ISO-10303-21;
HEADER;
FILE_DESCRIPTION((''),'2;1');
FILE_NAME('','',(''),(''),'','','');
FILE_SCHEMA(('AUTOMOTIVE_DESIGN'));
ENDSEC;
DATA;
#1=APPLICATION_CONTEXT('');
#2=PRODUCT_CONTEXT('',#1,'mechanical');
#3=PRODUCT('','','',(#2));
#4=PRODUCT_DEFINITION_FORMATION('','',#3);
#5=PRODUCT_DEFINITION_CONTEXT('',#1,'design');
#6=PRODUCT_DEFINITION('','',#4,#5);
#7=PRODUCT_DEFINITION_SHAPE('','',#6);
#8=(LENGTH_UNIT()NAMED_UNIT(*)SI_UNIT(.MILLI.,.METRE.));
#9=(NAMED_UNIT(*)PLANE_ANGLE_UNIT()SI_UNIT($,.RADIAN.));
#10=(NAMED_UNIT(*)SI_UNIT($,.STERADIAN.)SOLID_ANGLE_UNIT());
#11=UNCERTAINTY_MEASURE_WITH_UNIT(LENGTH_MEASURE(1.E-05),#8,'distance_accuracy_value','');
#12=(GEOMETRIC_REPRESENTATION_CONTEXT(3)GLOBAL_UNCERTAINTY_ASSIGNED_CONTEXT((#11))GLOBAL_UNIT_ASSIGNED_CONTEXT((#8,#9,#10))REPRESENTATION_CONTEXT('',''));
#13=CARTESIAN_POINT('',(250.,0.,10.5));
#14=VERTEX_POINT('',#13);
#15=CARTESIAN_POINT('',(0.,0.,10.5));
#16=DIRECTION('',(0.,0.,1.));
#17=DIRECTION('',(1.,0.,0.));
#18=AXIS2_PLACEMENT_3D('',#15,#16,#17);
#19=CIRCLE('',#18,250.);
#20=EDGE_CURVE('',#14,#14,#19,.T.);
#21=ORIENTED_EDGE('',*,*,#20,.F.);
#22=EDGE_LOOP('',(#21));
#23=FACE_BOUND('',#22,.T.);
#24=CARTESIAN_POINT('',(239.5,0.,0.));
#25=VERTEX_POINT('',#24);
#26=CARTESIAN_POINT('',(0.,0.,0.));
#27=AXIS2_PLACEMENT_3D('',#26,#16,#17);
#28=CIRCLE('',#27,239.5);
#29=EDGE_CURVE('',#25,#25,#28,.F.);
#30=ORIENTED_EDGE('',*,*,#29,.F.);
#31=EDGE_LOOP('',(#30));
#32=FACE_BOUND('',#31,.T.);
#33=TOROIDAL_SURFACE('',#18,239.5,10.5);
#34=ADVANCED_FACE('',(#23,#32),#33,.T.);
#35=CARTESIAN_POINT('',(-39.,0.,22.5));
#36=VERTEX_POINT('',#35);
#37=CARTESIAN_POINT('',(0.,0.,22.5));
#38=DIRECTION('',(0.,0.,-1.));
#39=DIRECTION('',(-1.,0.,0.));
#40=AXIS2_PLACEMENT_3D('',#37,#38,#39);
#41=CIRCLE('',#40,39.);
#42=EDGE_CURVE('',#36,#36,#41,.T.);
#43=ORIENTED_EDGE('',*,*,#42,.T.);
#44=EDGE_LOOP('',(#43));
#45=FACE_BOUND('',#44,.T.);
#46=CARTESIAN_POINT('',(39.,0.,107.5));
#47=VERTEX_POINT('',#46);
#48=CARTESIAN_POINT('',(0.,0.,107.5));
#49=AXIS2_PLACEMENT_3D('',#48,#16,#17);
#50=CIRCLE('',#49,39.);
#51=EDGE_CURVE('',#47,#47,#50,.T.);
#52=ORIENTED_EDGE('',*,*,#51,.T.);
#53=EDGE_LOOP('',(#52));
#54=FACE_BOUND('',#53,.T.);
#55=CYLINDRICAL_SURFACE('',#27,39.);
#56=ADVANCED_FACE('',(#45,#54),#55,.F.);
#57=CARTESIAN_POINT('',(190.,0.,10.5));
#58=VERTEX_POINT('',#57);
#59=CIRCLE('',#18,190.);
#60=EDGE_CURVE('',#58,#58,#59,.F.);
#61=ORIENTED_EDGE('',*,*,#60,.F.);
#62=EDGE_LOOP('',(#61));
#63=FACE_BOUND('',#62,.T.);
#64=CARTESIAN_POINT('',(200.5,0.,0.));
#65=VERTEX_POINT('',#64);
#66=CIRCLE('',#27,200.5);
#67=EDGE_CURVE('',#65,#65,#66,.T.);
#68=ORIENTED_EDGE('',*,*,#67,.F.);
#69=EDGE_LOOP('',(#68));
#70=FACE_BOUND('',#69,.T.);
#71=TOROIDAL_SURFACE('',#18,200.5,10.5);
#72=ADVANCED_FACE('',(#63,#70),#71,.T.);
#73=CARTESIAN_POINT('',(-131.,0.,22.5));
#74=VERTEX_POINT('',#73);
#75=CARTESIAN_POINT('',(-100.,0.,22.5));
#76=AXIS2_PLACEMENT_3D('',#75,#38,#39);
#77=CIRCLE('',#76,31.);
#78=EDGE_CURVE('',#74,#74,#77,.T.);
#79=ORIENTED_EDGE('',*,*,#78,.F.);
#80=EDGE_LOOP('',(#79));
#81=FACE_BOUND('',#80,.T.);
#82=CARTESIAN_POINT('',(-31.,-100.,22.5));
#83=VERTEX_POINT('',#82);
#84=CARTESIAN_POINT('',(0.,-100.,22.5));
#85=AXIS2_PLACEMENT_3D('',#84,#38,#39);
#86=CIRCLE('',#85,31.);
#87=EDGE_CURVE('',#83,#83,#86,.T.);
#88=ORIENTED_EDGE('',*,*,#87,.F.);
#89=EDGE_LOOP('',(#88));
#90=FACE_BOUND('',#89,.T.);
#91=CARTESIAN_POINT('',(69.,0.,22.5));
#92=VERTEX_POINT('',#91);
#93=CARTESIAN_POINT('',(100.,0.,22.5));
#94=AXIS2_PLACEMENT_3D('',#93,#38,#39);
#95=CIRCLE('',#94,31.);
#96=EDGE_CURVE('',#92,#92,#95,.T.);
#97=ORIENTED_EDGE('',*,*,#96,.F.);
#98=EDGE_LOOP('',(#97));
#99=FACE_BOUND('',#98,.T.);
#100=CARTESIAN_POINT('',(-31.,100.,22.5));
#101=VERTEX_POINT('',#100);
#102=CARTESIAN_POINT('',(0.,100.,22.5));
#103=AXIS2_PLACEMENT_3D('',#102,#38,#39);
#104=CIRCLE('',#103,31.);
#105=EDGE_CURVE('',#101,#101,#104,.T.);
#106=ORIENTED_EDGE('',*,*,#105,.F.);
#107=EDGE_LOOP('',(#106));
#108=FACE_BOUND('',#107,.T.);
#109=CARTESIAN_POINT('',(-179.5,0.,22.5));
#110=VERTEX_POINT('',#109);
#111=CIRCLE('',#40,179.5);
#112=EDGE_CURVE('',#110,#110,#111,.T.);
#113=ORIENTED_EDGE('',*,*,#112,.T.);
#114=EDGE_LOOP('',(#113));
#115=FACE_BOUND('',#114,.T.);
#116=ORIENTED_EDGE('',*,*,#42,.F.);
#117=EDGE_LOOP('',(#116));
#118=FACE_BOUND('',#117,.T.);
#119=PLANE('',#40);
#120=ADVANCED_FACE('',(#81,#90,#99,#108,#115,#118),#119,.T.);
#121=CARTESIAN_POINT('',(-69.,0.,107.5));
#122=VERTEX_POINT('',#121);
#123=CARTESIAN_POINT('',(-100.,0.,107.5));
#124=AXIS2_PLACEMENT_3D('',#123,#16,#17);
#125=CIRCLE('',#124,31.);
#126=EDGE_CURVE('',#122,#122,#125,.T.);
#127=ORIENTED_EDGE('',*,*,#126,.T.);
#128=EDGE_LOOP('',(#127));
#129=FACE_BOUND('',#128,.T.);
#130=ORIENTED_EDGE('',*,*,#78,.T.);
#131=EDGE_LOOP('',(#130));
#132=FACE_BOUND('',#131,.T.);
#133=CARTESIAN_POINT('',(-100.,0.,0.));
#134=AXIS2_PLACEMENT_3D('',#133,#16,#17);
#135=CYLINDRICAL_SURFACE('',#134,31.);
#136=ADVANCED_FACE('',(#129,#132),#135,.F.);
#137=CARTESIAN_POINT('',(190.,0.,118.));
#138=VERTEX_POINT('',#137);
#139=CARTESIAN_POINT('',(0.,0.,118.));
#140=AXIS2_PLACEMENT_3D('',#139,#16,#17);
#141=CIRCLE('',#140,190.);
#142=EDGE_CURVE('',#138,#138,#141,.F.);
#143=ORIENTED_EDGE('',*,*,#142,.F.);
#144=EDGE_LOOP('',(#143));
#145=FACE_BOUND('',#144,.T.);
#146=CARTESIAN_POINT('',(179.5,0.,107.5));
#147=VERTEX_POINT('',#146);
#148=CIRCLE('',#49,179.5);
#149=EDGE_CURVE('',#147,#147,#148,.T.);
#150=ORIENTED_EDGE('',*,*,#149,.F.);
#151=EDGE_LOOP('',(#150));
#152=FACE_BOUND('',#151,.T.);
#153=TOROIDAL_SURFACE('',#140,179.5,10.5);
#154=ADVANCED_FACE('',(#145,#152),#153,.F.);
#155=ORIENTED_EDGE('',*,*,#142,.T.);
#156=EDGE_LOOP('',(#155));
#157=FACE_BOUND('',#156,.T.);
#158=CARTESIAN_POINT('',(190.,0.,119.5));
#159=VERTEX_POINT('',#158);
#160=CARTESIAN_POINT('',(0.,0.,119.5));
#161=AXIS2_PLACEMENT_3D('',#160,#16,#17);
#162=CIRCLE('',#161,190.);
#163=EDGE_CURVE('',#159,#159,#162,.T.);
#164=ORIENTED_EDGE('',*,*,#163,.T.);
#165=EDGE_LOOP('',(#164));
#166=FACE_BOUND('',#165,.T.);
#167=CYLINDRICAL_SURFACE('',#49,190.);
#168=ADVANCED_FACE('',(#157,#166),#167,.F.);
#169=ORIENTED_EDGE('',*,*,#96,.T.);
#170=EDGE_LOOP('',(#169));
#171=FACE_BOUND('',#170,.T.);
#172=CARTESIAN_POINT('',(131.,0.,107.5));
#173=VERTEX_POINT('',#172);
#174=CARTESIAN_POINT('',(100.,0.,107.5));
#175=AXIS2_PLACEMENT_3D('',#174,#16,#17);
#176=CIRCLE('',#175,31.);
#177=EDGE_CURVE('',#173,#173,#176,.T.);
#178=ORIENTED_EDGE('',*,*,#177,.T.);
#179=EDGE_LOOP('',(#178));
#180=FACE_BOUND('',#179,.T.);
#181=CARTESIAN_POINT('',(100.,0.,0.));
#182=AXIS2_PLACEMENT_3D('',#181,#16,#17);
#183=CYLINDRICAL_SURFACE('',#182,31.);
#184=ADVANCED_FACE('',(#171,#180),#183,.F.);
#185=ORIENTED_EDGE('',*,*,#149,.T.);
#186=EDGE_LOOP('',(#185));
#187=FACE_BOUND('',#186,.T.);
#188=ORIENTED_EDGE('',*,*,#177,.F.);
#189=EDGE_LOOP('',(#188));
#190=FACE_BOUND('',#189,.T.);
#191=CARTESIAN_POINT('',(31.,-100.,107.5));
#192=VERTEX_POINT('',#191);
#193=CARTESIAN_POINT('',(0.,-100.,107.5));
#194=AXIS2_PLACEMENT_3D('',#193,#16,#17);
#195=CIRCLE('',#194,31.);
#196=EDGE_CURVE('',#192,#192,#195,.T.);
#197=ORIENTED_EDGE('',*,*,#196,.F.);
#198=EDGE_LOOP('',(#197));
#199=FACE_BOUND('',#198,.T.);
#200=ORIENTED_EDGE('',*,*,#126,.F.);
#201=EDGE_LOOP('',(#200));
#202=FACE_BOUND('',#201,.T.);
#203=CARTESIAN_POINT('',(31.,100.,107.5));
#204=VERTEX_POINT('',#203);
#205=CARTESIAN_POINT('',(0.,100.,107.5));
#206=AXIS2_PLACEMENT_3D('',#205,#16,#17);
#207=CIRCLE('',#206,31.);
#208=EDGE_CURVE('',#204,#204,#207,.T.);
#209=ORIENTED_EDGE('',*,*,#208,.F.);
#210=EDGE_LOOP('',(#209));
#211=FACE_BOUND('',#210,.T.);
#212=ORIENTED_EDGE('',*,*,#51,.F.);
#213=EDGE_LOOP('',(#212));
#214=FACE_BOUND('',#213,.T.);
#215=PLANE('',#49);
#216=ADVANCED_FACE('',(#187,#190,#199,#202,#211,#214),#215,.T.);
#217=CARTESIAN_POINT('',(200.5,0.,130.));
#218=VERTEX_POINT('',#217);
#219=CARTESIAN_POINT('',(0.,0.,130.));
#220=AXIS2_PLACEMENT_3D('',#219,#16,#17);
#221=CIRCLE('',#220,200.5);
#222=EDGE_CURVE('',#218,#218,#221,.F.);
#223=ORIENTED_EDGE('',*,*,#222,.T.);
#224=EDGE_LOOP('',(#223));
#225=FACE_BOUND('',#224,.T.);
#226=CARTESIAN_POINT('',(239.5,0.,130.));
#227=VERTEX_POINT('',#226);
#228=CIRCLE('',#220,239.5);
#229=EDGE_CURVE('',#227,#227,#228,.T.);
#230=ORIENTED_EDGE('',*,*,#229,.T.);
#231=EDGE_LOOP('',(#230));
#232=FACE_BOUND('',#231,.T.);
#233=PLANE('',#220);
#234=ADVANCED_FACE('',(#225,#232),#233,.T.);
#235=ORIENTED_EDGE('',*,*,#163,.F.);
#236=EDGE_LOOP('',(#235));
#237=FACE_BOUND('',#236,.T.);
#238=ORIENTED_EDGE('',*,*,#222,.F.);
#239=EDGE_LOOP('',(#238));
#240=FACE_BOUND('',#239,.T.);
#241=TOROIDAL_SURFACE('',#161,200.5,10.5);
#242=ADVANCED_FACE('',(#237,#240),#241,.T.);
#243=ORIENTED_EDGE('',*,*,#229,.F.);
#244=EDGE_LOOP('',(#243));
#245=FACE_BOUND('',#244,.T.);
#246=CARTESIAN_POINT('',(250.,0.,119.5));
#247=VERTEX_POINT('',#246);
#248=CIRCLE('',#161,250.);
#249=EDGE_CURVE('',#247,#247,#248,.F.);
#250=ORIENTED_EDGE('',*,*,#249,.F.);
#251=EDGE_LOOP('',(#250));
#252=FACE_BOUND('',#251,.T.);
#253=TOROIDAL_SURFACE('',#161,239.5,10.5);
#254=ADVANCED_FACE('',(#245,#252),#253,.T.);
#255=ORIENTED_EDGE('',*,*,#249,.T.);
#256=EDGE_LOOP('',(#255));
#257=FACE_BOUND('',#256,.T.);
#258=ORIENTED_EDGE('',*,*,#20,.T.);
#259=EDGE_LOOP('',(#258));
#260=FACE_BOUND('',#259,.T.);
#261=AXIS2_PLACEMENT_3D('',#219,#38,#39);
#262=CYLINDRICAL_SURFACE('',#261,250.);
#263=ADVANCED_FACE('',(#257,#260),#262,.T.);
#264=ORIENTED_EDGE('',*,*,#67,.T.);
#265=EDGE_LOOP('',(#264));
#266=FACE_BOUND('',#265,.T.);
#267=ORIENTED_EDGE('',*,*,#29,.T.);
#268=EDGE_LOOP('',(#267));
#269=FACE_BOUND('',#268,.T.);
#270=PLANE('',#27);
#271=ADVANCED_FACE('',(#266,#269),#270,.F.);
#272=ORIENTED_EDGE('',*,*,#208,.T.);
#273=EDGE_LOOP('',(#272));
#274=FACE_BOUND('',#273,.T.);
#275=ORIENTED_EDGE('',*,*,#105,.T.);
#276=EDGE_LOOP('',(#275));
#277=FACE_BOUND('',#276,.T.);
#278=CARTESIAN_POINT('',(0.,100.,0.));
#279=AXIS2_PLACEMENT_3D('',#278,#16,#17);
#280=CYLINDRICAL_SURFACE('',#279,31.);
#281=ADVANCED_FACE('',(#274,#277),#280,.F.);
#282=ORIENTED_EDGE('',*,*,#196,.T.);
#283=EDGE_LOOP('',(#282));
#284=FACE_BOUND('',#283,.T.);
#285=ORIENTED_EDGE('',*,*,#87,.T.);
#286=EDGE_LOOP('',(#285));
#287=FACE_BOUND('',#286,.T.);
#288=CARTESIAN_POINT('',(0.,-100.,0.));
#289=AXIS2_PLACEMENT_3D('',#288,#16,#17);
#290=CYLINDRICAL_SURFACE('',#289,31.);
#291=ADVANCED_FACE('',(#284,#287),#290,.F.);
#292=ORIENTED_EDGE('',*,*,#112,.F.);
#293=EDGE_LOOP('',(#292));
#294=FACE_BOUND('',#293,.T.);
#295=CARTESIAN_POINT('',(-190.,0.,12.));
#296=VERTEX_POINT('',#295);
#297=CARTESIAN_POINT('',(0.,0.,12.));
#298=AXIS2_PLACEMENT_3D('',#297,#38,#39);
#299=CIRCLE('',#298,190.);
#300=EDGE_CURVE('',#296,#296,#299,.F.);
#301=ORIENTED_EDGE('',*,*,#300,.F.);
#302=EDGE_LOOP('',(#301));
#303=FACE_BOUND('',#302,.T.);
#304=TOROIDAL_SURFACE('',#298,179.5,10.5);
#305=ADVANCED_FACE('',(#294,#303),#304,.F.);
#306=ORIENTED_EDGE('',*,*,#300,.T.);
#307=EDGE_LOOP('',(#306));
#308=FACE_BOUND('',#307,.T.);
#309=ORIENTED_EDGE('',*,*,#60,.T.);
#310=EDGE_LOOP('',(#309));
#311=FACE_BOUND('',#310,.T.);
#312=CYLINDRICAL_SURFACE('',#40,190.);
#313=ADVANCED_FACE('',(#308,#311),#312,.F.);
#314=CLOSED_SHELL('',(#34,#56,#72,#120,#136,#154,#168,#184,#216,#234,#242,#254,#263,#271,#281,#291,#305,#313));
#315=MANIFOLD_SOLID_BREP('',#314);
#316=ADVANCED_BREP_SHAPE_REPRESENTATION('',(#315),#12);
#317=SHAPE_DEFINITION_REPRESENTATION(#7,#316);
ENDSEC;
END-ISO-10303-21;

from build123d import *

# Parameters (mm, degrees)
SKETCH2_R           = 250
BOSS_EXTRUDE1_DEPTH = 130
SKETCH3_R           = 190
CUT_EXTRUDE1_DEPTH  = 22.5
FILLET5_R           = 10.5
FILLET6_R           = 10.5
SKETCH4_R           = 190
CUT_EXTRUDE2_DEPTH  = 22.5
FILLET7_R           = 10.5
SKETCH5_R           = 31
CUT_EXTRUDE3_DEPTH  = 108.5
SKETCH6_R           = 39
CUT_EXTRUDE4_DEPTH  = 108.5


with BuildPart() as part:
    # Sketch2 → Boss-Extrude1 (new body)
    with BuildSketch(Plane.XY):
        Circle(SKETCH2_R)
    extrude(amount=BOSS_EXTRUDE1_DEPTH)

    # Sketch3 → Cut-Extrude1 (cut, symmetric)
    with BuildSketch(Plane.XY.offset(130)):
        Circle(SKETCH3_R)
    extrude(amount=CUT_EXTRUDE1_DEPTH, both=True, mode=Mode.SUBTRACT)

    # Fillet5
    fillet5_edges = [part.edges().sort_by_distance(p)[0] for p in [
        (-190, 0, 130),
        (-190, 0, 107.5),
    ]]
    fillet(fillet5_edges, radius=FILLET5_R)

    # Fillet6
    fillet6_edges = [part.edges().sort_by_distance(p)[0] for p in [
        (-250, 0, 130),
    ]]
    fillet(fillet6_edges, radius=FILLET6_R)

    # Sketch4 → Cut-Extrude2 (cut, symmetric)
    with BuildSketch(Plane(origin=(0, 0, 0), x_dir=(-1, 0, 0), z_dir=(0, 0, -1))):
        Circle(SKETCH4_R)
    extrude(amount=CUT_EXTRUDE2_DEPTH, both=True, mode=Mode.SUBTRACT)

    # Fillet7
    fillet7_edges = [part.edges().sort_by_distance(p)[0] for p in [
        (-250, 0, 0),
        (190, 0, 22.5),
        (190, 0, 0),
    ]]
    fillet(fillet7_edges, radius=FILLET7_R)

    # Sketch5 → Cut-Extrude3 (cut, through all)
    with BuildSketch(Plane.XY.offset(107.5)):
        with Locations((0, 100)):
            Circle(SKETCH5_R)
        with Locations((100, 0)):
            Circle(SKETCH5_R)
        with Locations((0, -100)):
            Circle(SKETCH5_R)
        with Locations((-100, 0)):
            Circle(SKETCH5_R)
    extrude(amount=-CUT_EXTRUDE3_DEPTH, mode=Mode.SUBTRACT)

    # Sketch6 → Cut-Extrude4 (cut, through all)
    with BuildSketch(Plane.XY.offset(107.5)):
        Circle(SKETCH6_R)
    extrude(amount=-CUT_EXTRUDE4_DEPTH, mode=Mode.SUBTRACT)


solid = part.part
